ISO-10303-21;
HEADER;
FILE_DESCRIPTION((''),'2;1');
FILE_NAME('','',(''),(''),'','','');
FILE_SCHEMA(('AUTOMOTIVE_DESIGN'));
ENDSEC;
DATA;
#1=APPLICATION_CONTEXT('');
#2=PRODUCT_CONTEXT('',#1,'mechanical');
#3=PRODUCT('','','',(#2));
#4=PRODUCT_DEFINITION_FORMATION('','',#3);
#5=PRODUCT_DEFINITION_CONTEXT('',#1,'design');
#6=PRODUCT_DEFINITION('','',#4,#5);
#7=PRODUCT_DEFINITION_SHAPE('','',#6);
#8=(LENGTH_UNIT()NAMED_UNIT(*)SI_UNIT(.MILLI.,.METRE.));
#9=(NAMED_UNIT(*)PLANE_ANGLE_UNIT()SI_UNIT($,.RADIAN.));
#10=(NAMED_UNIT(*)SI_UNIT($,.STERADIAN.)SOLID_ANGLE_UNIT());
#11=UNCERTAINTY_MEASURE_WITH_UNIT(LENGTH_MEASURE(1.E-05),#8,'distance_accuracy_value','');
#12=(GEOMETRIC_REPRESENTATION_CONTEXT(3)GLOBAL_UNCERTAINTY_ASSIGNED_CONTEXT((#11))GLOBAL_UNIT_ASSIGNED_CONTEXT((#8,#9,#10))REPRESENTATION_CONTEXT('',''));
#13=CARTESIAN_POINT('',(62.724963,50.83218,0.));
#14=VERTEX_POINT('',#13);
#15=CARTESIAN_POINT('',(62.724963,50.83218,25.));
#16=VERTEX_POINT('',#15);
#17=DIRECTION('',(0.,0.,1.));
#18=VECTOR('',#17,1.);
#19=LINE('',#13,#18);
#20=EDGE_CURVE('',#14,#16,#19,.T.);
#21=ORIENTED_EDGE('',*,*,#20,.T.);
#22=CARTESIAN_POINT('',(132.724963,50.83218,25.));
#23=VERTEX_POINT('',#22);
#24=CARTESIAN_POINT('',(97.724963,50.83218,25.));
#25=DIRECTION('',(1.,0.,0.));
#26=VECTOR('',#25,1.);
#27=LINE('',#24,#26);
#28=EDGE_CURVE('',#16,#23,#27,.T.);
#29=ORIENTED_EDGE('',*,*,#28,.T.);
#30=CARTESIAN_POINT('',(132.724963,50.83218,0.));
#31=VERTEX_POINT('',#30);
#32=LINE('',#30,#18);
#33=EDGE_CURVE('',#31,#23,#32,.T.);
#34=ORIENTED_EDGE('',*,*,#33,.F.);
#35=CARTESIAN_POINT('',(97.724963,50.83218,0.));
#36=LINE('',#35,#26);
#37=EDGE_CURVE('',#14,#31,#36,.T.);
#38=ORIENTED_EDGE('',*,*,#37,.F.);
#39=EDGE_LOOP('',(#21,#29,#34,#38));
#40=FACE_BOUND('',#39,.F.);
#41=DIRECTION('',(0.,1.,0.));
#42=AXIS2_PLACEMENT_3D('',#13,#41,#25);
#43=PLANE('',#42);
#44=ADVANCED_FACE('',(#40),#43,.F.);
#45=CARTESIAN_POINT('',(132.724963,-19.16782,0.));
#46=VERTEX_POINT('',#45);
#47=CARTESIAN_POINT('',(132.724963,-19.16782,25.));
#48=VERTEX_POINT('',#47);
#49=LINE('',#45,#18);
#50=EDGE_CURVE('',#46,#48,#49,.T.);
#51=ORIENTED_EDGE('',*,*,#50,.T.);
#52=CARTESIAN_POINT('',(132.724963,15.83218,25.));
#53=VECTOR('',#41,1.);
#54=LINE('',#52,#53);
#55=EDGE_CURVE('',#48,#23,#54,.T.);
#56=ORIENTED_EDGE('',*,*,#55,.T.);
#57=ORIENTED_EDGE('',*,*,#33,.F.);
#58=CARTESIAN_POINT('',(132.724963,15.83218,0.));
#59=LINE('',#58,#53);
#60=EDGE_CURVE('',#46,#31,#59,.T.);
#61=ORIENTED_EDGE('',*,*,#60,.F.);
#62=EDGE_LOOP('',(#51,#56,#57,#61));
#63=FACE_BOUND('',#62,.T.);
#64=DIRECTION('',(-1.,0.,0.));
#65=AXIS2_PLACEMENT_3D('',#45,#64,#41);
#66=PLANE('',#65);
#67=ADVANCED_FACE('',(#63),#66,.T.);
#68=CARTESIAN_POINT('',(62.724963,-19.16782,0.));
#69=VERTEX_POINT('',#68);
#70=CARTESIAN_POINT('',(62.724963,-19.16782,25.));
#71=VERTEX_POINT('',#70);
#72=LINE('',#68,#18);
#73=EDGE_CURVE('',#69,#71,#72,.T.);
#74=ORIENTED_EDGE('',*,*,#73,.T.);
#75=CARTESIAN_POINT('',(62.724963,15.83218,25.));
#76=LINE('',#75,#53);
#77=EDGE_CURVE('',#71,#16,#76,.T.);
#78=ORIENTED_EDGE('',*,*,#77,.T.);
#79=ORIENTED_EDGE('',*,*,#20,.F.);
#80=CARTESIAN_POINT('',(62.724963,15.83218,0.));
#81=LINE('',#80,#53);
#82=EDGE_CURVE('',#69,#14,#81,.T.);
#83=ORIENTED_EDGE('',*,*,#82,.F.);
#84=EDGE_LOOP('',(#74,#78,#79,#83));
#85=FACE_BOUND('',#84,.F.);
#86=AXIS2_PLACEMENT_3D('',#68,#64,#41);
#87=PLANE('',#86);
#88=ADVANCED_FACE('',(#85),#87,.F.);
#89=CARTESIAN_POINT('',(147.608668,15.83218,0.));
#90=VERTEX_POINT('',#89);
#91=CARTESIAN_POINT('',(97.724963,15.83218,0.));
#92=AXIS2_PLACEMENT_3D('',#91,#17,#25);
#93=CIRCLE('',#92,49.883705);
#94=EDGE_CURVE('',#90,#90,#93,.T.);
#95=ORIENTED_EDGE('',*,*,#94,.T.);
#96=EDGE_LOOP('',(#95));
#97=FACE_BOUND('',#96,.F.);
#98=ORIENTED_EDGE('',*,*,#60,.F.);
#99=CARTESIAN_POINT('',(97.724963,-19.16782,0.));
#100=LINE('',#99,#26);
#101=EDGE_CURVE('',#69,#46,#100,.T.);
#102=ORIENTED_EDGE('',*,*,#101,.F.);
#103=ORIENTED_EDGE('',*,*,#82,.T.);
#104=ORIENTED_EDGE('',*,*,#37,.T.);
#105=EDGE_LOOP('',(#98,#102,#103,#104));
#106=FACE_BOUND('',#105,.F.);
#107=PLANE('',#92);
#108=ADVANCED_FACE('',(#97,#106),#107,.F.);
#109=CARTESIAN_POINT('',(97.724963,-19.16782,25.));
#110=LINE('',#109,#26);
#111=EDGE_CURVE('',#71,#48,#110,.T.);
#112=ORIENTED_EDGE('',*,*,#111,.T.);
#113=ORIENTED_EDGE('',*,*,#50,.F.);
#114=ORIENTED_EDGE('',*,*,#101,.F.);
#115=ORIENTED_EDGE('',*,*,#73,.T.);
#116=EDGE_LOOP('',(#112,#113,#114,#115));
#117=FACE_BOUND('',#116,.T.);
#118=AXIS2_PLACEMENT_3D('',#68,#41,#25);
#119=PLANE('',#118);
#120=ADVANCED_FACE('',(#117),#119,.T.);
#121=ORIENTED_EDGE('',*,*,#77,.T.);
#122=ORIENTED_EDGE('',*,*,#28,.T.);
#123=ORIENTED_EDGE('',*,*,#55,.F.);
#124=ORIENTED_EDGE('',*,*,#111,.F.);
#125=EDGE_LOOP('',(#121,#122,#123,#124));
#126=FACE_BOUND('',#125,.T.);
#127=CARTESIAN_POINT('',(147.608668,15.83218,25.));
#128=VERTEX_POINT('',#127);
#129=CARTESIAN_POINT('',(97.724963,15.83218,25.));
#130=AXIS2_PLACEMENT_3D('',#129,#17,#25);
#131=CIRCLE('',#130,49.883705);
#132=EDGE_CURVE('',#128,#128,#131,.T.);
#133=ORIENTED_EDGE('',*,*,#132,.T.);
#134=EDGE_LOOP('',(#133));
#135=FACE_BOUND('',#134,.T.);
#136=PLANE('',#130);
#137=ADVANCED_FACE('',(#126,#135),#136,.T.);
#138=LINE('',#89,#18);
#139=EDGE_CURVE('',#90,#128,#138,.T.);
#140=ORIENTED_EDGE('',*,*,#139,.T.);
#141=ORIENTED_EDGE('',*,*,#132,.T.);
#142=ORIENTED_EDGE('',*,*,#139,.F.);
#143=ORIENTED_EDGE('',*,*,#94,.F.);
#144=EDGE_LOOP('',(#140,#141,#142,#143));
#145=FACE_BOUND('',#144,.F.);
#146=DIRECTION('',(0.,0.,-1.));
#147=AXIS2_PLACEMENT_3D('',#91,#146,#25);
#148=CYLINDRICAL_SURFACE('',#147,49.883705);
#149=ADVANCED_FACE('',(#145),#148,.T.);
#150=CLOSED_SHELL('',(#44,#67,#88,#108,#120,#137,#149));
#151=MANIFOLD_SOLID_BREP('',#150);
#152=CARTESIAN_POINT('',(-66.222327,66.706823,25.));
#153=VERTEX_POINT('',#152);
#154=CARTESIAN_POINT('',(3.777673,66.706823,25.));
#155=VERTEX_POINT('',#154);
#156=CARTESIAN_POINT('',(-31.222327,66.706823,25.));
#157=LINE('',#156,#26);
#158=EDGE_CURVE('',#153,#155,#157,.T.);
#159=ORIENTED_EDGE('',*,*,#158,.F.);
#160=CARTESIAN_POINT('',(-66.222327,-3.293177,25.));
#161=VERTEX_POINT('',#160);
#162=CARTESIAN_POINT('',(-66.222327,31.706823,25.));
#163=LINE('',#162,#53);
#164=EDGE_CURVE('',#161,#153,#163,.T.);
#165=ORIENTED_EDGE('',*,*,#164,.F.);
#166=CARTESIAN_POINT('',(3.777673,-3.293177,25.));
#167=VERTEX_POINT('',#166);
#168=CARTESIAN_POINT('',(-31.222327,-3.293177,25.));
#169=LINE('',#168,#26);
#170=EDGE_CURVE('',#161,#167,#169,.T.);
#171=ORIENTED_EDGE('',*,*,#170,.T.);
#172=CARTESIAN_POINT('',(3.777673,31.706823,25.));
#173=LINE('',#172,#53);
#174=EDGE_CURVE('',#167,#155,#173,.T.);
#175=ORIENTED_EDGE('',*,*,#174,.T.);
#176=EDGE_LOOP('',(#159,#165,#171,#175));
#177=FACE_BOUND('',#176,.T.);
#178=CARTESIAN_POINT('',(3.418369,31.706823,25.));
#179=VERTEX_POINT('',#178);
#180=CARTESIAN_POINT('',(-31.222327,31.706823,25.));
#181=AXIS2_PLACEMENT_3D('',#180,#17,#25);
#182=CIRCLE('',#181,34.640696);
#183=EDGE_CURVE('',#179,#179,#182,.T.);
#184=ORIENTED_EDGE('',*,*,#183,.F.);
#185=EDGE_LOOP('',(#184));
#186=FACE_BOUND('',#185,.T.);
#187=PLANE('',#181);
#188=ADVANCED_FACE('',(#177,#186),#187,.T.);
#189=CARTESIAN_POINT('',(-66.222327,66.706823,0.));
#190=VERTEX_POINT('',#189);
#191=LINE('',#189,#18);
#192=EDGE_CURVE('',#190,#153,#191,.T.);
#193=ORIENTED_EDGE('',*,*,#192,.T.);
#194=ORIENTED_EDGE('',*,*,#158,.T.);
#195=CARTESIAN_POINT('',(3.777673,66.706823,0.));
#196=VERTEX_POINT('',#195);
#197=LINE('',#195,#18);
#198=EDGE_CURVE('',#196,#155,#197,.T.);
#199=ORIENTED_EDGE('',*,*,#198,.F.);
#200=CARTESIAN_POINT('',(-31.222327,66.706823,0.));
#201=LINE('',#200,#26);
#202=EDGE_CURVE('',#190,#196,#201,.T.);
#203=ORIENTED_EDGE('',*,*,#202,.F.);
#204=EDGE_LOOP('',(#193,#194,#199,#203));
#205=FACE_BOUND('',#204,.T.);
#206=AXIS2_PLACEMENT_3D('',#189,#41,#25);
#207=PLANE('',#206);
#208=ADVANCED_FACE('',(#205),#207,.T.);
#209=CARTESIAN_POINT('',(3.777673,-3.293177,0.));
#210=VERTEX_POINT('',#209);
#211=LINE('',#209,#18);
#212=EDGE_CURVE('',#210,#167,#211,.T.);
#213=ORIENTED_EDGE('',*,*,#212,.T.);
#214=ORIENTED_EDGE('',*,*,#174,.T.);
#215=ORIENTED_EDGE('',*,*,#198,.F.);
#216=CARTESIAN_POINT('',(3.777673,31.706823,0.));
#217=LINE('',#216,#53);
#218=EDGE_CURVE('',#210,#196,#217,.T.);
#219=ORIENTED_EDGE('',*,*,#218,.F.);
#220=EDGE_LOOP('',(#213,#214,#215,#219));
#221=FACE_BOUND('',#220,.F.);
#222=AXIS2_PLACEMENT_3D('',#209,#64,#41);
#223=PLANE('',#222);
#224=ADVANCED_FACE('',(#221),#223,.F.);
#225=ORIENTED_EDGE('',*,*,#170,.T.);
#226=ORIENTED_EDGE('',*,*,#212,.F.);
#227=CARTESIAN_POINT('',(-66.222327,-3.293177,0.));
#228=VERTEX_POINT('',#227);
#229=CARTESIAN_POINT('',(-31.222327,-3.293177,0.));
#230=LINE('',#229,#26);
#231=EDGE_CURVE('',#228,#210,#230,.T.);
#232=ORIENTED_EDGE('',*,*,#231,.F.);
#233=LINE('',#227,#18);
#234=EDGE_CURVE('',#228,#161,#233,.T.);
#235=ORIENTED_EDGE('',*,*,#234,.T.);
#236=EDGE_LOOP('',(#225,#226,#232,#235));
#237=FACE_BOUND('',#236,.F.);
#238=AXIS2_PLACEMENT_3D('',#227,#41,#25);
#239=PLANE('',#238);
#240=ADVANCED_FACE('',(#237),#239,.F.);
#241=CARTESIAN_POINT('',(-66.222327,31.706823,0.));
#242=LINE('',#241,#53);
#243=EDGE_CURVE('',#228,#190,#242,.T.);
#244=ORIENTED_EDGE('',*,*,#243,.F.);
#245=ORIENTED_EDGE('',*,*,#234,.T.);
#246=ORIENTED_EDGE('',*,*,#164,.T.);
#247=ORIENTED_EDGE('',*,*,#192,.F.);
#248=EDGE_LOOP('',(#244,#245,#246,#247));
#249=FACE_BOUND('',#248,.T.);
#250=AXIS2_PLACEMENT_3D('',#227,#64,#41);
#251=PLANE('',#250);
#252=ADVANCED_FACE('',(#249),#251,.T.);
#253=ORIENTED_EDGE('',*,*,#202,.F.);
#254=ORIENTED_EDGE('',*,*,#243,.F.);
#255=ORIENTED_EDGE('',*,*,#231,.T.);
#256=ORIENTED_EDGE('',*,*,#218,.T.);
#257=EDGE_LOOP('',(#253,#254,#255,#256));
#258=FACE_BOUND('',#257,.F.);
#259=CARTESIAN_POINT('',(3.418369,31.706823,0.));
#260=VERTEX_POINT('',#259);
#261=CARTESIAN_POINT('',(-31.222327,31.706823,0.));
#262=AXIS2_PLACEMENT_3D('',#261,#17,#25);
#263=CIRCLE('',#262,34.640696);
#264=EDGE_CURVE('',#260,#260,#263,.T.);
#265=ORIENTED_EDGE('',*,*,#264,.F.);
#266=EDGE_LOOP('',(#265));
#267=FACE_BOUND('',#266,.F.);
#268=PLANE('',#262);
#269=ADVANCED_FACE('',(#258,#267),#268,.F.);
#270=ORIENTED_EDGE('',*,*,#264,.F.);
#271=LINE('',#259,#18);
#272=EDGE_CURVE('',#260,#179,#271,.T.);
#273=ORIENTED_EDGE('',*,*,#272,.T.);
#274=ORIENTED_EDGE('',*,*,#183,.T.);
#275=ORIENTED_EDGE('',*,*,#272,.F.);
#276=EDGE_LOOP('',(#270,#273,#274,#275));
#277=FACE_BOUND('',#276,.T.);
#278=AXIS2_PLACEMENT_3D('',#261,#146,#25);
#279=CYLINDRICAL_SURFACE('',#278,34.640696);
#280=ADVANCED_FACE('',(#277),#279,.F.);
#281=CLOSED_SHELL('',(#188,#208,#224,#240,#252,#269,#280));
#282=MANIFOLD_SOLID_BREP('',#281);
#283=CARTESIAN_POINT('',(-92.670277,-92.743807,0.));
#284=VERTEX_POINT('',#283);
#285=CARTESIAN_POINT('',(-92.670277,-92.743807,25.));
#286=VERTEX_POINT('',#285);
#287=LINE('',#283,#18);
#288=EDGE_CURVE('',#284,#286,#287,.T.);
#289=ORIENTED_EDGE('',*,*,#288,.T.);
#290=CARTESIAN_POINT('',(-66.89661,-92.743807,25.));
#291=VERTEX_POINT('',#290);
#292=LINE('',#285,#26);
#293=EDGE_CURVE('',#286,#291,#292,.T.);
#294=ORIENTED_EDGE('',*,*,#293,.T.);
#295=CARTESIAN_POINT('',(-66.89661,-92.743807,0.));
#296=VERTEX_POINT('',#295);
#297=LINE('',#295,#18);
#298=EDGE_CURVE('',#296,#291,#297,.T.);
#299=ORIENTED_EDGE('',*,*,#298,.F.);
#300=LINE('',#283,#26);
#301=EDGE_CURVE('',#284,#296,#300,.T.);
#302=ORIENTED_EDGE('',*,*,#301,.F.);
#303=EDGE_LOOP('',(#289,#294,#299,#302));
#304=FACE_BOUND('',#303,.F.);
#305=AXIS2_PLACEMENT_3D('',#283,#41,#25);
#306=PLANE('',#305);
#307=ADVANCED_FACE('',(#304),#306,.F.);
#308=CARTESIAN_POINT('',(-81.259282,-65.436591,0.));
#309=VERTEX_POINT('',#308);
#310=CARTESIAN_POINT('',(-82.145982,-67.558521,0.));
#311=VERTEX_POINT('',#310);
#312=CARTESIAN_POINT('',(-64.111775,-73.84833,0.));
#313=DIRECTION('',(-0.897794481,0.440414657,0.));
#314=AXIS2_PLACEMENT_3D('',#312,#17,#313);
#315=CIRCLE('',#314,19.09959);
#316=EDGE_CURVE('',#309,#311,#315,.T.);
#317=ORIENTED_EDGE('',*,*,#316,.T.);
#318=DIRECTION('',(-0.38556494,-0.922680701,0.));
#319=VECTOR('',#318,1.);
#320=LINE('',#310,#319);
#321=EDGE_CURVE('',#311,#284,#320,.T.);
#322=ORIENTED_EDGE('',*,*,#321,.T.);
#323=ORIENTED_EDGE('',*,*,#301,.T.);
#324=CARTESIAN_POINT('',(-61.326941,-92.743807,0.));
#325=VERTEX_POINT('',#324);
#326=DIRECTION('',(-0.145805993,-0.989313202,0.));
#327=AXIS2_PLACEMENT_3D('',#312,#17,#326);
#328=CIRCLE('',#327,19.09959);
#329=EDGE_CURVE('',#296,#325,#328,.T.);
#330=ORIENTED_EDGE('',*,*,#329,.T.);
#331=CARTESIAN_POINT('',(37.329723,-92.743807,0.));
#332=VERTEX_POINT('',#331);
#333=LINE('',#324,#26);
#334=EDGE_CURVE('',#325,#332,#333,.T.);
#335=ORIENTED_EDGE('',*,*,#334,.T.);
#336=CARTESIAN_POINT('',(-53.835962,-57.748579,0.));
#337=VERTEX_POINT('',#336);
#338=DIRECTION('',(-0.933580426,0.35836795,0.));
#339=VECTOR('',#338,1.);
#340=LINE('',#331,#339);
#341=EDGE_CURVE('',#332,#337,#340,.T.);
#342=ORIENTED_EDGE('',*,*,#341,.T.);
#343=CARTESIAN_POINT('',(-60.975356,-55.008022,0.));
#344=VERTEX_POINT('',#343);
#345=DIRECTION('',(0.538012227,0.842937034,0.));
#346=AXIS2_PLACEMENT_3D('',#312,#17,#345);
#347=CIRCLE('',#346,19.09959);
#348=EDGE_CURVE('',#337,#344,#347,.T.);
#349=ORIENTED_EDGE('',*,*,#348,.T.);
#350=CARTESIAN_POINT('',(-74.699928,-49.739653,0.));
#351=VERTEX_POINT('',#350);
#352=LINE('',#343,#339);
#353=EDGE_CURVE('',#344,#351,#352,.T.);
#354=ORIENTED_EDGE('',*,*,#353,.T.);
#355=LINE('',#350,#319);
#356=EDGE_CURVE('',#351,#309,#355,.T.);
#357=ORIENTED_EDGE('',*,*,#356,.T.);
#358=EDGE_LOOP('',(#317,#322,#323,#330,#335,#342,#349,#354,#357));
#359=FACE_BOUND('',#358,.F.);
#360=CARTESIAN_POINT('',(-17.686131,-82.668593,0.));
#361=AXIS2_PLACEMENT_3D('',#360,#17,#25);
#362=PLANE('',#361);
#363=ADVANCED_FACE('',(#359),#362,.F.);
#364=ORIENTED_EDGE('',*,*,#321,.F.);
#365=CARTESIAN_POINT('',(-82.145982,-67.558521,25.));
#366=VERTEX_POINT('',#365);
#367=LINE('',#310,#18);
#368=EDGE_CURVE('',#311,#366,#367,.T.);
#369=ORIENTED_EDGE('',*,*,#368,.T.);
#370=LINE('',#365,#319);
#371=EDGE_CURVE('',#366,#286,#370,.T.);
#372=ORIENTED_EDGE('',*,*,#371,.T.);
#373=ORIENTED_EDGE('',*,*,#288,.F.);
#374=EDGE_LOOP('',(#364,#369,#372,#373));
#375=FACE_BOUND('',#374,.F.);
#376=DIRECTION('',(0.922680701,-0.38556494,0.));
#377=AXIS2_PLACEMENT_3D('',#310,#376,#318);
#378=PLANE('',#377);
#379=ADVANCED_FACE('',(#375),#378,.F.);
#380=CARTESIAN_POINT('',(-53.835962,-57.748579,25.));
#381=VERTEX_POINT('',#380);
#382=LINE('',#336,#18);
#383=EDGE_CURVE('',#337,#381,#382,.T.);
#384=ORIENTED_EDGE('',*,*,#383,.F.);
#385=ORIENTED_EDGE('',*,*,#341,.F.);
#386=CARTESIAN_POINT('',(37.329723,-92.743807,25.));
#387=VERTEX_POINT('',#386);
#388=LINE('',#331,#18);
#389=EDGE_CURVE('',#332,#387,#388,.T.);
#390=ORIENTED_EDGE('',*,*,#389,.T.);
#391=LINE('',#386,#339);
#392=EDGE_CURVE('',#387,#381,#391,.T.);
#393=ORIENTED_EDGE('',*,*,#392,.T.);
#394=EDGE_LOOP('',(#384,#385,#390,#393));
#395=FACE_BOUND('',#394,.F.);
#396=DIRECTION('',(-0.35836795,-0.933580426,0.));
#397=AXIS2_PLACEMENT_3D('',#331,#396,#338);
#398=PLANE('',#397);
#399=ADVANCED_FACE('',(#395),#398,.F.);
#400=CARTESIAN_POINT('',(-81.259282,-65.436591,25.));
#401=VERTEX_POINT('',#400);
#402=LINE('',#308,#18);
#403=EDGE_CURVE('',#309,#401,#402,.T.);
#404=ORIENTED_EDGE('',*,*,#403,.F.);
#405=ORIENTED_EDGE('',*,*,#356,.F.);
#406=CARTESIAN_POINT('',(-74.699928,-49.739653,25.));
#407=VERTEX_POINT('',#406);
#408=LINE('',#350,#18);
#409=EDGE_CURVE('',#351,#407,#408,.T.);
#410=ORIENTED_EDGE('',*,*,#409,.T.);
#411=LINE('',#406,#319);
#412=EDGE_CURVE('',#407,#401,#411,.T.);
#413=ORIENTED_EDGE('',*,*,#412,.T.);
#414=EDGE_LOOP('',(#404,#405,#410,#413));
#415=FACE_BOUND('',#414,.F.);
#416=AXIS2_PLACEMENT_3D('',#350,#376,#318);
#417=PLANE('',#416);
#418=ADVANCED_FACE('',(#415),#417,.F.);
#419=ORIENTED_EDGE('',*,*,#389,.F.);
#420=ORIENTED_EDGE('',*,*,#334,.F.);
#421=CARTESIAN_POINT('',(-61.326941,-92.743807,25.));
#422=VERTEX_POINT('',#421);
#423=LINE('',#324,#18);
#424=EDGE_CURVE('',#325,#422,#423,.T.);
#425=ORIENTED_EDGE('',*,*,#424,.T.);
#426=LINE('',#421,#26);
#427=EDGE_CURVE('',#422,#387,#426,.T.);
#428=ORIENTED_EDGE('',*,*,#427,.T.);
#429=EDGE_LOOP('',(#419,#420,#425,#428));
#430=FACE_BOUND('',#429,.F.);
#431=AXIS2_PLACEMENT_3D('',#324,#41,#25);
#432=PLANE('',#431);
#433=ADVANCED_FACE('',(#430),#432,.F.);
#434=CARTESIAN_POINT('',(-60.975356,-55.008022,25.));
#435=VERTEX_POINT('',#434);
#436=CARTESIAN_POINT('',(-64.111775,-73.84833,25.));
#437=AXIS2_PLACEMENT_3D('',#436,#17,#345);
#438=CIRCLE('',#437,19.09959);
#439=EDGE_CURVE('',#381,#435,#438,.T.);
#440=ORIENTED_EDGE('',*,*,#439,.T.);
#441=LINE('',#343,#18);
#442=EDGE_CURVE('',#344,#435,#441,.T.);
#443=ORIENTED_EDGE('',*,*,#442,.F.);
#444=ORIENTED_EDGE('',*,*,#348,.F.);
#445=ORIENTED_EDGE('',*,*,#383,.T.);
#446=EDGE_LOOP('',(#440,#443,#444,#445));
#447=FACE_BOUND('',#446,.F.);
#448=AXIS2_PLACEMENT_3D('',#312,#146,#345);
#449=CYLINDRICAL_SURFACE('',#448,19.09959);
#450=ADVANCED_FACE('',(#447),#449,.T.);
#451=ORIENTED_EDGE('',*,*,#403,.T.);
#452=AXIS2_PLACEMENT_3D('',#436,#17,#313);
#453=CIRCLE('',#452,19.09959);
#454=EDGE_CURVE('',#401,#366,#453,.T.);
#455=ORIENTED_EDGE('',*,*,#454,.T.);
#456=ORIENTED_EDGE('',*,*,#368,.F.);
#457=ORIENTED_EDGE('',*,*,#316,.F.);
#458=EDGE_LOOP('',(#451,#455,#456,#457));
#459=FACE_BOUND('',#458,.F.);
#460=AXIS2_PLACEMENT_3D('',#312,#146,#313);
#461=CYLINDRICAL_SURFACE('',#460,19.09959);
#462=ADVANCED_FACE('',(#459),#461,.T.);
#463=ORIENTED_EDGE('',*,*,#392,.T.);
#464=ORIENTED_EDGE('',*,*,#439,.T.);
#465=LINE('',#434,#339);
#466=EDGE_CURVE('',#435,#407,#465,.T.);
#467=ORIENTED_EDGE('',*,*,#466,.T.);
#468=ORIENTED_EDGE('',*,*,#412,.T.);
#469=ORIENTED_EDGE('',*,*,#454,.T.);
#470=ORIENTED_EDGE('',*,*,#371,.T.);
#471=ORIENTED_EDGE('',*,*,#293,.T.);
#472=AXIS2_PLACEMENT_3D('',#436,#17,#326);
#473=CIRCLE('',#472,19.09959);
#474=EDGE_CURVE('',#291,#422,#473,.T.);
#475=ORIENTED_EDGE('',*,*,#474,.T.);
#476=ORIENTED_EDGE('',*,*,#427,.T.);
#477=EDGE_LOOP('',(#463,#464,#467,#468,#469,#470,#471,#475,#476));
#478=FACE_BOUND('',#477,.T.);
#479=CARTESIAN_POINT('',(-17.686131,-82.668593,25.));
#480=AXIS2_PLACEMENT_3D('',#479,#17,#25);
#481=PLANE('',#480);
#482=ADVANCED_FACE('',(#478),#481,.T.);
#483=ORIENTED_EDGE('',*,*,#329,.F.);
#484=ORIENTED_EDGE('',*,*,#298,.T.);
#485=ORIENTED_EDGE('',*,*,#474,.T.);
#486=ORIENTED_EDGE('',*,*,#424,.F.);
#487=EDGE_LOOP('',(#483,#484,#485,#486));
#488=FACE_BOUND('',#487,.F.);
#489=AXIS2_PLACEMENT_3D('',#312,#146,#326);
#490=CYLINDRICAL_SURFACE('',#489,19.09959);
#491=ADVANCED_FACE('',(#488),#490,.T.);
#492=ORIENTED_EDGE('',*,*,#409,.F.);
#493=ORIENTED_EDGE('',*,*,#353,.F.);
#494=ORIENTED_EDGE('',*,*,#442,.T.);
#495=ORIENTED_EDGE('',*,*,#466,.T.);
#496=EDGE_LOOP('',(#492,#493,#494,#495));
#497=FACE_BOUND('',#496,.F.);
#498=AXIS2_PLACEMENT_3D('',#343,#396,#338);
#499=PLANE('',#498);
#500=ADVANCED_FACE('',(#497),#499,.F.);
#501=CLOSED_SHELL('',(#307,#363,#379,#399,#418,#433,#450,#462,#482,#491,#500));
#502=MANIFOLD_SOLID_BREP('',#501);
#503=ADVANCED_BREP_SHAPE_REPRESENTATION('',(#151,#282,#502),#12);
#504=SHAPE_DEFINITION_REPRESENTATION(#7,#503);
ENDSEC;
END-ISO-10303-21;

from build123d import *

# Parameters (mm, degrees)
F0_W     = 70
F0_H     = 70
F0_R     = 34.6406955074
F1_DEPTH = 25
F0_R_2   = 49.8837049023


with BuildPart() as f1:
    # F0 (on Top) → F1 (new body)
    with BuildSketch(Plane.XY):
        with Locations((-31.2223267555, 31.7068226919)):
            Rectangle(F0_W, F0_H)
        with Locations((-31.2223267555, 31.7068226919)):
            Circle(F0_R, mode=Mode.SUBTRACT)
    extrude(amount=F1_DEPTH)


with BuildPart() as f1b:
    # F0 (on Top) → F1, piece 2 (new body)
    with BuildSketch(Plane.XY):
        with Locations((97.7249628305, 15.8321800083)):
            Circle(F0_R_2)
        with Locations((97.7249628305, 15.8321800083)):
            Rectangle(F0_W, F0_H, mode=Mode.SUBTRACT)
    extrude(amount=F1_DEPTH)


with BuildPart() as f1c:
    # F0 (on Top) → F1, piece 3 (new body)
    with BuildSketch(Plane.XY):
        with BuildLine():
            Line((-61.3269406594, -92.743806541), (-59.4139359891, -92.743806541))
            Line((-59.4139359891, -92.743806541), (37.3297232389, -92.743806541))
            Line((37.3297232389, -92.743806541), (-53.8359624566, -57.7485785731))
            ThreePointArc((-53.8359624566, -57.7485785731), (-47.3627732226, -64.6687190479), (-45.0121854903, -73.8483301704))
            ThreePointArc((-45.0121854903, -73.8483301704), (-49.6552278172, -86.3304199744), (-61.3269406594, -92.743806541))
        make_face()
        with BuildLine():
            ThreePointArc((-66.896609962, -92.743806541), (-64.1117753107, -92.9479199908), (-61.3269406594, -92.743806541))
            Line((-61.3269406594, -92.743806541), (-66.896609962, -92.743806541))
        make_face()
        with BuildLine():
            Line((-66.896609962, -92.743806541), (-61.3269406594, -92.743806541))
            ThreePointArc((-61.3269406594, -92.743806541), (-49.6552278172, -86.3304199744), (-45.0121854903, -73.8483301704))
            ThreePointArc((-45.0121854903, -73.8483301704), (-47.3627732226, -64.6687190479), (-53.8359624566, -57.7485785731))
            Line((-53.8359624566, -57.7485785731), (-60.9753559123, -55.0080221935))
            ThreePointArc((-60.9753559123, -55.0080221935), (-72.8448389452, -56.8622202313), (-81.259281641, -65.4365908759))
            Line((-81.259281641, -65.4365908759), (-82.1459824964, -67.5585207544))
            ThreePointArc((-82.1459824964, -67.5585207544), (-80.4498529452, -83.7408298805), (-66.896609962, -92.743806541))
        make_face()
        with BuildLine():
            Line((-60.9753559123, -55.0080221935), (-53.8359624566, -57.7485785731))
            ThreePointArc((-53.8359624566, -57.7485785731), (-57.2670944696, -56.01732696), (-60.9753559123, -55.0080221935))
        make_face()
        with BuildLine():
            Line((-92.6702767611, -92.743806541), (-66.896609962, -92.743806541))
            ThreePointArc((-66.896609962, -92.743806541), (-80.4498529452, -83.7408298805), (-82.1459824964, -67.5585207544))
            Line((-82.1459824964, -67.5585207544), (-92.6702767611, -92.743806541))
        make_face()
        with BuildLine():
            ThreePointArc((-81.259281641, -65.4365908759), (-72.8448389452, -56.8622202313), (-60.9753559123, -55.0080221935))
            Line((-60.9753559123, -55.0080221935), (-74.6999279407, -49.7396525955))
            Line((-74.6999279407, -49.7396525955), (-81.259281641, -65.4365908759))
        make_face()
        with BuildLine():
            ThreePointArc((-81.259281641, -65.4365908759), (-81.7345982424, -66.4841979592), (-82.1459824964, -67.5585207544))
            Line((-82.1459824964, -67.5585207544), (-81.259281641, -65.4365908759))
        make_face()
    extrude(amount=F1_DEPTH)


solid = Compound([f1.part, f1b.part, f1c.part])
